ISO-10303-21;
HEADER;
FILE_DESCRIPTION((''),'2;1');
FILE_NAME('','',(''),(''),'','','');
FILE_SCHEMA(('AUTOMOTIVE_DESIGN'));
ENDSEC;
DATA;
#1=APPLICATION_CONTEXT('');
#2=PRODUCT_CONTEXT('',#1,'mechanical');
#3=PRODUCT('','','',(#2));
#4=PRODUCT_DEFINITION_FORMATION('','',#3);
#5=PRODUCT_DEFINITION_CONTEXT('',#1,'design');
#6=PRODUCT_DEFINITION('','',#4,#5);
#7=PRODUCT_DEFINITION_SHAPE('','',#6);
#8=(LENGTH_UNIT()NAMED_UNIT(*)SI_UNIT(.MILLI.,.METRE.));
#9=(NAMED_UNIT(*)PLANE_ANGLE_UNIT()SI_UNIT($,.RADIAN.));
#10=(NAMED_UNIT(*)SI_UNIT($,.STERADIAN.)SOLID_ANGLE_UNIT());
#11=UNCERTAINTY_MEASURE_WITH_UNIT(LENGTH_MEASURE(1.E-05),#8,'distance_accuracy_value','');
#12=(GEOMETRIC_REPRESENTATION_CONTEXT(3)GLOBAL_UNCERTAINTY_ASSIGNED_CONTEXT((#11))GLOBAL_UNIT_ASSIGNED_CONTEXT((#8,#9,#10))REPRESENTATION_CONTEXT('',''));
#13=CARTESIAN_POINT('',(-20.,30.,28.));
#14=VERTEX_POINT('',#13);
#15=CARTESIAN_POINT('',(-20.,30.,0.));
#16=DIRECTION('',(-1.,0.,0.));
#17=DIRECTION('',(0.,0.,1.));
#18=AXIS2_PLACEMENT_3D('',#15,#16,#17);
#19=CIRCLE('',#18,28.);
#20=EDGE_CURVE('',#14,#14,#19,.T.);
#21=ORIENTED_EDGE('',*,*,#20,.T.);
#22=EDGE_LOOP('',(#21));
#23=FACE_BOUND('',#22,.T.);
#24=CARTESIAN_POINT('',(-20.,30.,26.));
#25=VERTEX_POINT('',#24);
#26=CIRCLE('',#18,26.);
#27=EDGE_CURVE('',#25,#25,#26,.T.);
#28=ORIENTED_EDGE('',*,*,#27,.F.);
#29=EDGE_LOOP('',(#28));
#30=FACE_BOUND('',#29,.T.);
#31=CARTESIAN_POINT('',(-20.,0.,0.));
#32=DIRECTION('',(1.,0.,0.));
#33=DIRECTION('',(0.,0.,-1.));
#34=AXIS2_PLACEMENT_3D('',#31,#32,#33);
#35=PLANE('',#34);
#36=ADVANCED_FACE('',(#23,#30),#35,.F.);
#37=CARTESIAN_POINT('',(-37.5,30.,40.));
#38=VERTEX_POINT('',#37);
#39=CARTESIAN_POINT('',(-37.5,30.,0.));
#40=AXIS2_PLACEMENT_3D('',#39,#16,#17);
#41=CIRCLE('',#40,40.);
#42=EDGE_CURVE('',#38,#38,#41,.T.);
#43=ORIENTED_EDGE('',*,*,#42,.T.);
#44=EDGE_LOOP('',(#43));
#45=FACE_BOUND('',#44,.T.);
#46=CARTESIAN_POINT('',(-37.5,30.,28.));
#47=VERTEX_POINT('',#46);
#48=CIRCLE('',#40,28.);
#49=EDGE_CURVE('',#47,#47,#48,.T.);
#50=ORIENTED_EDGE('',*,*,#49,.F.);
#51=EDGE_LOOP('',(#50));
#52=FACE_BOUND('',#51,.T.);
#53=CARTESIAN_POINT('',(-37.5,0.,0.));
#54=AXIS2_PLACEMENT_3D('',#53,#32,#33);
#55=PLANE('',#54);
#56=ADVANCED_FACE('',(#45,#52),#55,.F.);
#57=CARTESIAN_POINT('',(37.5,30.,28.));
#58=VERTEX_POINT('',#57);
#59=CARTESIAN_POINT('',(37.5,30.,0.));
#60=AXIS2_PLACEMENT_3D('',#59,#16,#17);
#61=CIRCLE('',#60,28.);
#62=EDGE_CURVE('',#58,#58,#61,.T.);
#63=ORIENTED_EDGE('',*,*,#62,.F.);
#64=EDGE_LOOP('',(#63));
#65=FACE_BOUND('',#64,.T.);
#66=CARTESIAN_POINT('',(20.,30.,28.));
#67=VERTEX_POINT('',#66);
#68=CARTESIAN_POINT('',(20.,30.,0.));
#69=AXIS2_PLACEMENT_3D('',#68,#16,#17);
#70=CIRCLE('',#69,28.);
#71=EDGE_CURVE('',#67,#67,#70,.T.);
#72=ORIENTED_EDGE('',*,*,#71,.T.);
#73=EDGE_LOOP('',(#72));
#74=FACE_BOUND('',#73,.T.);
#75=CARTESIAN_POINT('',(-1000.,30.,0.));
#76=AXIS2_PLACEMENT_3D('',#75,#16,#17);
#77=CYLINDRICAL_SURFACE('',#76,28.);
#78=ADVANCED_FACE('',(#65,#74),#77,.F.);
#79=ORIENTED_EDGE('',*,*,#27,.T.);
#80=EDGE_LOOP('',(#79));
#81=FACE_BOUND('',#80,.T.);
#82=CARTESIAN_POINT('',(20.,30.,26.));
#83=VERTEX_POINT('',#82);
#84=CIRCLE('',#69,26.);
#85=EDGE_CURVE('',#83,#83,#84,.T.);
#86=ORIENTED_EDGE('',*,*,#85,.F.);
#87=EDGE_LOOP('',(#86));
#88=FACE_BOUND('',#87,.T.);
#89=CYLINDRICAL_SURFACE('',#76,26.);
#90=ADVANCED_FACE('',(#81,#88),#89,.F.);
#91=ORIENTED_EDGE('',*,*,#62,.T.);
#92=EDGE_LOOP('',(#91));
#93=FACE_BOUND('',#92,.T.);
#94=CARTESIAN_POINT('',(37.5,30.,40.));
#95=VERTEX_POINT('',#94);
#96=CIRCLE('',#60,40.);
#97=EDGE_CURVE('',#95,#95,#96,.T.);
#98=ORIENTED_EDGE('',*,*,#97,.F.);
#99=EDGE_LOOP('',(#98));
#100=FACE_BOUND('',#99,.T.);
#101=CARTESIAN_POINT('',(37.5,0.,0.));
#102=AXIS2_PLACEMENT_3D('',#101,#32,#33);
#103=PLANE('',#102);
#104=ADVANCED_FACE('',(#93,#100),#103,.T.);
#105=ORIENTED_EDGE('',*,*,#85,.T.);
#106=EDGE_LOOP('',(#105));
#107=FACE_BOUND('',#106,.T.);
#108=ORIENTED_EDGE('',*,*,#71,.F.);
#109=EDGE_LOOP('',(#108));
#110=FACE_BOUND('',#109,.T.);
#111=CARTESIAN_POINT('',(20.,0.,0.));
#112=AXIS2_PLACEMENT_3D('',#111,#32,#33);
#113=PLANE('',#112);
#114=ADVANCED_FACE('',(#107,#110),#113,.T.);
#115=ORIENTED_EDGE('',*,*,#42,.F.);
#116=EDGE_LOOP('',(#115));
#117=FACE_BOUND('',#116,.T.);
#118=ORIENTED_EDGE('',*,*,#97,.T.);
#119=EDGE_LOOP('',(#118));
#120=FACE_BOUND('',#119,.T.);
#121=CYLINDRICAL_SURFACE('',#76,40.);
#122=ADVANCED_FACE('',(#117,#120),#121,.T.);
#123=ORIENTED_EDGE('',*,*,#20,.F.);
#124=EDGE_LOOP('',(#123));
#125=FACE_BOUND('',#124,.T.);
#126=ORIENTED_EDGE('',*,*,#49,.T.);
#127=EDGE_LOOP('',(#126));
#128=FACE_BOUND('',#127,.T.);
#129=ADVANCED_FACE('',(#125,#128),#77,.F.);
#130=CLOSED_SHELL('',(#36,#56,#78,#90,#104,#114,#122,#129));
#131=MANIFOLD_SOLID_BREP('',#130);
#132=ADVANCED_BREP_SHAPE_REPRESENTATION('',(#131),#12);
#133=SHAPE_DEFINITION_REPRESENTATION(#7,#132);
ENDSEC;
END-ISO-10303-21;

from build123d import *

# Parameters (mm, degrees)
SKETCH1_W   = 75
SKETCH1_H   = 12
SKETCH1_W_2 = 40
SKETCH1_H_2 = 2


with BuildPart() as part:
    # Sketch1 → Revolve1 (revolve)
    with BuildSketch(Plane.XY):
        with Locations((0, 64)):
            Rectangle(SKETCH1_W, SKETCH1_H)
        with Locations((0, 57)):
            Rectangle(SKETCH1_W_2, SKETCH1_H_2)
    revolve(axis=Axis((-1000, 30, 0), (1, 0, 0)))


solid = part.part
